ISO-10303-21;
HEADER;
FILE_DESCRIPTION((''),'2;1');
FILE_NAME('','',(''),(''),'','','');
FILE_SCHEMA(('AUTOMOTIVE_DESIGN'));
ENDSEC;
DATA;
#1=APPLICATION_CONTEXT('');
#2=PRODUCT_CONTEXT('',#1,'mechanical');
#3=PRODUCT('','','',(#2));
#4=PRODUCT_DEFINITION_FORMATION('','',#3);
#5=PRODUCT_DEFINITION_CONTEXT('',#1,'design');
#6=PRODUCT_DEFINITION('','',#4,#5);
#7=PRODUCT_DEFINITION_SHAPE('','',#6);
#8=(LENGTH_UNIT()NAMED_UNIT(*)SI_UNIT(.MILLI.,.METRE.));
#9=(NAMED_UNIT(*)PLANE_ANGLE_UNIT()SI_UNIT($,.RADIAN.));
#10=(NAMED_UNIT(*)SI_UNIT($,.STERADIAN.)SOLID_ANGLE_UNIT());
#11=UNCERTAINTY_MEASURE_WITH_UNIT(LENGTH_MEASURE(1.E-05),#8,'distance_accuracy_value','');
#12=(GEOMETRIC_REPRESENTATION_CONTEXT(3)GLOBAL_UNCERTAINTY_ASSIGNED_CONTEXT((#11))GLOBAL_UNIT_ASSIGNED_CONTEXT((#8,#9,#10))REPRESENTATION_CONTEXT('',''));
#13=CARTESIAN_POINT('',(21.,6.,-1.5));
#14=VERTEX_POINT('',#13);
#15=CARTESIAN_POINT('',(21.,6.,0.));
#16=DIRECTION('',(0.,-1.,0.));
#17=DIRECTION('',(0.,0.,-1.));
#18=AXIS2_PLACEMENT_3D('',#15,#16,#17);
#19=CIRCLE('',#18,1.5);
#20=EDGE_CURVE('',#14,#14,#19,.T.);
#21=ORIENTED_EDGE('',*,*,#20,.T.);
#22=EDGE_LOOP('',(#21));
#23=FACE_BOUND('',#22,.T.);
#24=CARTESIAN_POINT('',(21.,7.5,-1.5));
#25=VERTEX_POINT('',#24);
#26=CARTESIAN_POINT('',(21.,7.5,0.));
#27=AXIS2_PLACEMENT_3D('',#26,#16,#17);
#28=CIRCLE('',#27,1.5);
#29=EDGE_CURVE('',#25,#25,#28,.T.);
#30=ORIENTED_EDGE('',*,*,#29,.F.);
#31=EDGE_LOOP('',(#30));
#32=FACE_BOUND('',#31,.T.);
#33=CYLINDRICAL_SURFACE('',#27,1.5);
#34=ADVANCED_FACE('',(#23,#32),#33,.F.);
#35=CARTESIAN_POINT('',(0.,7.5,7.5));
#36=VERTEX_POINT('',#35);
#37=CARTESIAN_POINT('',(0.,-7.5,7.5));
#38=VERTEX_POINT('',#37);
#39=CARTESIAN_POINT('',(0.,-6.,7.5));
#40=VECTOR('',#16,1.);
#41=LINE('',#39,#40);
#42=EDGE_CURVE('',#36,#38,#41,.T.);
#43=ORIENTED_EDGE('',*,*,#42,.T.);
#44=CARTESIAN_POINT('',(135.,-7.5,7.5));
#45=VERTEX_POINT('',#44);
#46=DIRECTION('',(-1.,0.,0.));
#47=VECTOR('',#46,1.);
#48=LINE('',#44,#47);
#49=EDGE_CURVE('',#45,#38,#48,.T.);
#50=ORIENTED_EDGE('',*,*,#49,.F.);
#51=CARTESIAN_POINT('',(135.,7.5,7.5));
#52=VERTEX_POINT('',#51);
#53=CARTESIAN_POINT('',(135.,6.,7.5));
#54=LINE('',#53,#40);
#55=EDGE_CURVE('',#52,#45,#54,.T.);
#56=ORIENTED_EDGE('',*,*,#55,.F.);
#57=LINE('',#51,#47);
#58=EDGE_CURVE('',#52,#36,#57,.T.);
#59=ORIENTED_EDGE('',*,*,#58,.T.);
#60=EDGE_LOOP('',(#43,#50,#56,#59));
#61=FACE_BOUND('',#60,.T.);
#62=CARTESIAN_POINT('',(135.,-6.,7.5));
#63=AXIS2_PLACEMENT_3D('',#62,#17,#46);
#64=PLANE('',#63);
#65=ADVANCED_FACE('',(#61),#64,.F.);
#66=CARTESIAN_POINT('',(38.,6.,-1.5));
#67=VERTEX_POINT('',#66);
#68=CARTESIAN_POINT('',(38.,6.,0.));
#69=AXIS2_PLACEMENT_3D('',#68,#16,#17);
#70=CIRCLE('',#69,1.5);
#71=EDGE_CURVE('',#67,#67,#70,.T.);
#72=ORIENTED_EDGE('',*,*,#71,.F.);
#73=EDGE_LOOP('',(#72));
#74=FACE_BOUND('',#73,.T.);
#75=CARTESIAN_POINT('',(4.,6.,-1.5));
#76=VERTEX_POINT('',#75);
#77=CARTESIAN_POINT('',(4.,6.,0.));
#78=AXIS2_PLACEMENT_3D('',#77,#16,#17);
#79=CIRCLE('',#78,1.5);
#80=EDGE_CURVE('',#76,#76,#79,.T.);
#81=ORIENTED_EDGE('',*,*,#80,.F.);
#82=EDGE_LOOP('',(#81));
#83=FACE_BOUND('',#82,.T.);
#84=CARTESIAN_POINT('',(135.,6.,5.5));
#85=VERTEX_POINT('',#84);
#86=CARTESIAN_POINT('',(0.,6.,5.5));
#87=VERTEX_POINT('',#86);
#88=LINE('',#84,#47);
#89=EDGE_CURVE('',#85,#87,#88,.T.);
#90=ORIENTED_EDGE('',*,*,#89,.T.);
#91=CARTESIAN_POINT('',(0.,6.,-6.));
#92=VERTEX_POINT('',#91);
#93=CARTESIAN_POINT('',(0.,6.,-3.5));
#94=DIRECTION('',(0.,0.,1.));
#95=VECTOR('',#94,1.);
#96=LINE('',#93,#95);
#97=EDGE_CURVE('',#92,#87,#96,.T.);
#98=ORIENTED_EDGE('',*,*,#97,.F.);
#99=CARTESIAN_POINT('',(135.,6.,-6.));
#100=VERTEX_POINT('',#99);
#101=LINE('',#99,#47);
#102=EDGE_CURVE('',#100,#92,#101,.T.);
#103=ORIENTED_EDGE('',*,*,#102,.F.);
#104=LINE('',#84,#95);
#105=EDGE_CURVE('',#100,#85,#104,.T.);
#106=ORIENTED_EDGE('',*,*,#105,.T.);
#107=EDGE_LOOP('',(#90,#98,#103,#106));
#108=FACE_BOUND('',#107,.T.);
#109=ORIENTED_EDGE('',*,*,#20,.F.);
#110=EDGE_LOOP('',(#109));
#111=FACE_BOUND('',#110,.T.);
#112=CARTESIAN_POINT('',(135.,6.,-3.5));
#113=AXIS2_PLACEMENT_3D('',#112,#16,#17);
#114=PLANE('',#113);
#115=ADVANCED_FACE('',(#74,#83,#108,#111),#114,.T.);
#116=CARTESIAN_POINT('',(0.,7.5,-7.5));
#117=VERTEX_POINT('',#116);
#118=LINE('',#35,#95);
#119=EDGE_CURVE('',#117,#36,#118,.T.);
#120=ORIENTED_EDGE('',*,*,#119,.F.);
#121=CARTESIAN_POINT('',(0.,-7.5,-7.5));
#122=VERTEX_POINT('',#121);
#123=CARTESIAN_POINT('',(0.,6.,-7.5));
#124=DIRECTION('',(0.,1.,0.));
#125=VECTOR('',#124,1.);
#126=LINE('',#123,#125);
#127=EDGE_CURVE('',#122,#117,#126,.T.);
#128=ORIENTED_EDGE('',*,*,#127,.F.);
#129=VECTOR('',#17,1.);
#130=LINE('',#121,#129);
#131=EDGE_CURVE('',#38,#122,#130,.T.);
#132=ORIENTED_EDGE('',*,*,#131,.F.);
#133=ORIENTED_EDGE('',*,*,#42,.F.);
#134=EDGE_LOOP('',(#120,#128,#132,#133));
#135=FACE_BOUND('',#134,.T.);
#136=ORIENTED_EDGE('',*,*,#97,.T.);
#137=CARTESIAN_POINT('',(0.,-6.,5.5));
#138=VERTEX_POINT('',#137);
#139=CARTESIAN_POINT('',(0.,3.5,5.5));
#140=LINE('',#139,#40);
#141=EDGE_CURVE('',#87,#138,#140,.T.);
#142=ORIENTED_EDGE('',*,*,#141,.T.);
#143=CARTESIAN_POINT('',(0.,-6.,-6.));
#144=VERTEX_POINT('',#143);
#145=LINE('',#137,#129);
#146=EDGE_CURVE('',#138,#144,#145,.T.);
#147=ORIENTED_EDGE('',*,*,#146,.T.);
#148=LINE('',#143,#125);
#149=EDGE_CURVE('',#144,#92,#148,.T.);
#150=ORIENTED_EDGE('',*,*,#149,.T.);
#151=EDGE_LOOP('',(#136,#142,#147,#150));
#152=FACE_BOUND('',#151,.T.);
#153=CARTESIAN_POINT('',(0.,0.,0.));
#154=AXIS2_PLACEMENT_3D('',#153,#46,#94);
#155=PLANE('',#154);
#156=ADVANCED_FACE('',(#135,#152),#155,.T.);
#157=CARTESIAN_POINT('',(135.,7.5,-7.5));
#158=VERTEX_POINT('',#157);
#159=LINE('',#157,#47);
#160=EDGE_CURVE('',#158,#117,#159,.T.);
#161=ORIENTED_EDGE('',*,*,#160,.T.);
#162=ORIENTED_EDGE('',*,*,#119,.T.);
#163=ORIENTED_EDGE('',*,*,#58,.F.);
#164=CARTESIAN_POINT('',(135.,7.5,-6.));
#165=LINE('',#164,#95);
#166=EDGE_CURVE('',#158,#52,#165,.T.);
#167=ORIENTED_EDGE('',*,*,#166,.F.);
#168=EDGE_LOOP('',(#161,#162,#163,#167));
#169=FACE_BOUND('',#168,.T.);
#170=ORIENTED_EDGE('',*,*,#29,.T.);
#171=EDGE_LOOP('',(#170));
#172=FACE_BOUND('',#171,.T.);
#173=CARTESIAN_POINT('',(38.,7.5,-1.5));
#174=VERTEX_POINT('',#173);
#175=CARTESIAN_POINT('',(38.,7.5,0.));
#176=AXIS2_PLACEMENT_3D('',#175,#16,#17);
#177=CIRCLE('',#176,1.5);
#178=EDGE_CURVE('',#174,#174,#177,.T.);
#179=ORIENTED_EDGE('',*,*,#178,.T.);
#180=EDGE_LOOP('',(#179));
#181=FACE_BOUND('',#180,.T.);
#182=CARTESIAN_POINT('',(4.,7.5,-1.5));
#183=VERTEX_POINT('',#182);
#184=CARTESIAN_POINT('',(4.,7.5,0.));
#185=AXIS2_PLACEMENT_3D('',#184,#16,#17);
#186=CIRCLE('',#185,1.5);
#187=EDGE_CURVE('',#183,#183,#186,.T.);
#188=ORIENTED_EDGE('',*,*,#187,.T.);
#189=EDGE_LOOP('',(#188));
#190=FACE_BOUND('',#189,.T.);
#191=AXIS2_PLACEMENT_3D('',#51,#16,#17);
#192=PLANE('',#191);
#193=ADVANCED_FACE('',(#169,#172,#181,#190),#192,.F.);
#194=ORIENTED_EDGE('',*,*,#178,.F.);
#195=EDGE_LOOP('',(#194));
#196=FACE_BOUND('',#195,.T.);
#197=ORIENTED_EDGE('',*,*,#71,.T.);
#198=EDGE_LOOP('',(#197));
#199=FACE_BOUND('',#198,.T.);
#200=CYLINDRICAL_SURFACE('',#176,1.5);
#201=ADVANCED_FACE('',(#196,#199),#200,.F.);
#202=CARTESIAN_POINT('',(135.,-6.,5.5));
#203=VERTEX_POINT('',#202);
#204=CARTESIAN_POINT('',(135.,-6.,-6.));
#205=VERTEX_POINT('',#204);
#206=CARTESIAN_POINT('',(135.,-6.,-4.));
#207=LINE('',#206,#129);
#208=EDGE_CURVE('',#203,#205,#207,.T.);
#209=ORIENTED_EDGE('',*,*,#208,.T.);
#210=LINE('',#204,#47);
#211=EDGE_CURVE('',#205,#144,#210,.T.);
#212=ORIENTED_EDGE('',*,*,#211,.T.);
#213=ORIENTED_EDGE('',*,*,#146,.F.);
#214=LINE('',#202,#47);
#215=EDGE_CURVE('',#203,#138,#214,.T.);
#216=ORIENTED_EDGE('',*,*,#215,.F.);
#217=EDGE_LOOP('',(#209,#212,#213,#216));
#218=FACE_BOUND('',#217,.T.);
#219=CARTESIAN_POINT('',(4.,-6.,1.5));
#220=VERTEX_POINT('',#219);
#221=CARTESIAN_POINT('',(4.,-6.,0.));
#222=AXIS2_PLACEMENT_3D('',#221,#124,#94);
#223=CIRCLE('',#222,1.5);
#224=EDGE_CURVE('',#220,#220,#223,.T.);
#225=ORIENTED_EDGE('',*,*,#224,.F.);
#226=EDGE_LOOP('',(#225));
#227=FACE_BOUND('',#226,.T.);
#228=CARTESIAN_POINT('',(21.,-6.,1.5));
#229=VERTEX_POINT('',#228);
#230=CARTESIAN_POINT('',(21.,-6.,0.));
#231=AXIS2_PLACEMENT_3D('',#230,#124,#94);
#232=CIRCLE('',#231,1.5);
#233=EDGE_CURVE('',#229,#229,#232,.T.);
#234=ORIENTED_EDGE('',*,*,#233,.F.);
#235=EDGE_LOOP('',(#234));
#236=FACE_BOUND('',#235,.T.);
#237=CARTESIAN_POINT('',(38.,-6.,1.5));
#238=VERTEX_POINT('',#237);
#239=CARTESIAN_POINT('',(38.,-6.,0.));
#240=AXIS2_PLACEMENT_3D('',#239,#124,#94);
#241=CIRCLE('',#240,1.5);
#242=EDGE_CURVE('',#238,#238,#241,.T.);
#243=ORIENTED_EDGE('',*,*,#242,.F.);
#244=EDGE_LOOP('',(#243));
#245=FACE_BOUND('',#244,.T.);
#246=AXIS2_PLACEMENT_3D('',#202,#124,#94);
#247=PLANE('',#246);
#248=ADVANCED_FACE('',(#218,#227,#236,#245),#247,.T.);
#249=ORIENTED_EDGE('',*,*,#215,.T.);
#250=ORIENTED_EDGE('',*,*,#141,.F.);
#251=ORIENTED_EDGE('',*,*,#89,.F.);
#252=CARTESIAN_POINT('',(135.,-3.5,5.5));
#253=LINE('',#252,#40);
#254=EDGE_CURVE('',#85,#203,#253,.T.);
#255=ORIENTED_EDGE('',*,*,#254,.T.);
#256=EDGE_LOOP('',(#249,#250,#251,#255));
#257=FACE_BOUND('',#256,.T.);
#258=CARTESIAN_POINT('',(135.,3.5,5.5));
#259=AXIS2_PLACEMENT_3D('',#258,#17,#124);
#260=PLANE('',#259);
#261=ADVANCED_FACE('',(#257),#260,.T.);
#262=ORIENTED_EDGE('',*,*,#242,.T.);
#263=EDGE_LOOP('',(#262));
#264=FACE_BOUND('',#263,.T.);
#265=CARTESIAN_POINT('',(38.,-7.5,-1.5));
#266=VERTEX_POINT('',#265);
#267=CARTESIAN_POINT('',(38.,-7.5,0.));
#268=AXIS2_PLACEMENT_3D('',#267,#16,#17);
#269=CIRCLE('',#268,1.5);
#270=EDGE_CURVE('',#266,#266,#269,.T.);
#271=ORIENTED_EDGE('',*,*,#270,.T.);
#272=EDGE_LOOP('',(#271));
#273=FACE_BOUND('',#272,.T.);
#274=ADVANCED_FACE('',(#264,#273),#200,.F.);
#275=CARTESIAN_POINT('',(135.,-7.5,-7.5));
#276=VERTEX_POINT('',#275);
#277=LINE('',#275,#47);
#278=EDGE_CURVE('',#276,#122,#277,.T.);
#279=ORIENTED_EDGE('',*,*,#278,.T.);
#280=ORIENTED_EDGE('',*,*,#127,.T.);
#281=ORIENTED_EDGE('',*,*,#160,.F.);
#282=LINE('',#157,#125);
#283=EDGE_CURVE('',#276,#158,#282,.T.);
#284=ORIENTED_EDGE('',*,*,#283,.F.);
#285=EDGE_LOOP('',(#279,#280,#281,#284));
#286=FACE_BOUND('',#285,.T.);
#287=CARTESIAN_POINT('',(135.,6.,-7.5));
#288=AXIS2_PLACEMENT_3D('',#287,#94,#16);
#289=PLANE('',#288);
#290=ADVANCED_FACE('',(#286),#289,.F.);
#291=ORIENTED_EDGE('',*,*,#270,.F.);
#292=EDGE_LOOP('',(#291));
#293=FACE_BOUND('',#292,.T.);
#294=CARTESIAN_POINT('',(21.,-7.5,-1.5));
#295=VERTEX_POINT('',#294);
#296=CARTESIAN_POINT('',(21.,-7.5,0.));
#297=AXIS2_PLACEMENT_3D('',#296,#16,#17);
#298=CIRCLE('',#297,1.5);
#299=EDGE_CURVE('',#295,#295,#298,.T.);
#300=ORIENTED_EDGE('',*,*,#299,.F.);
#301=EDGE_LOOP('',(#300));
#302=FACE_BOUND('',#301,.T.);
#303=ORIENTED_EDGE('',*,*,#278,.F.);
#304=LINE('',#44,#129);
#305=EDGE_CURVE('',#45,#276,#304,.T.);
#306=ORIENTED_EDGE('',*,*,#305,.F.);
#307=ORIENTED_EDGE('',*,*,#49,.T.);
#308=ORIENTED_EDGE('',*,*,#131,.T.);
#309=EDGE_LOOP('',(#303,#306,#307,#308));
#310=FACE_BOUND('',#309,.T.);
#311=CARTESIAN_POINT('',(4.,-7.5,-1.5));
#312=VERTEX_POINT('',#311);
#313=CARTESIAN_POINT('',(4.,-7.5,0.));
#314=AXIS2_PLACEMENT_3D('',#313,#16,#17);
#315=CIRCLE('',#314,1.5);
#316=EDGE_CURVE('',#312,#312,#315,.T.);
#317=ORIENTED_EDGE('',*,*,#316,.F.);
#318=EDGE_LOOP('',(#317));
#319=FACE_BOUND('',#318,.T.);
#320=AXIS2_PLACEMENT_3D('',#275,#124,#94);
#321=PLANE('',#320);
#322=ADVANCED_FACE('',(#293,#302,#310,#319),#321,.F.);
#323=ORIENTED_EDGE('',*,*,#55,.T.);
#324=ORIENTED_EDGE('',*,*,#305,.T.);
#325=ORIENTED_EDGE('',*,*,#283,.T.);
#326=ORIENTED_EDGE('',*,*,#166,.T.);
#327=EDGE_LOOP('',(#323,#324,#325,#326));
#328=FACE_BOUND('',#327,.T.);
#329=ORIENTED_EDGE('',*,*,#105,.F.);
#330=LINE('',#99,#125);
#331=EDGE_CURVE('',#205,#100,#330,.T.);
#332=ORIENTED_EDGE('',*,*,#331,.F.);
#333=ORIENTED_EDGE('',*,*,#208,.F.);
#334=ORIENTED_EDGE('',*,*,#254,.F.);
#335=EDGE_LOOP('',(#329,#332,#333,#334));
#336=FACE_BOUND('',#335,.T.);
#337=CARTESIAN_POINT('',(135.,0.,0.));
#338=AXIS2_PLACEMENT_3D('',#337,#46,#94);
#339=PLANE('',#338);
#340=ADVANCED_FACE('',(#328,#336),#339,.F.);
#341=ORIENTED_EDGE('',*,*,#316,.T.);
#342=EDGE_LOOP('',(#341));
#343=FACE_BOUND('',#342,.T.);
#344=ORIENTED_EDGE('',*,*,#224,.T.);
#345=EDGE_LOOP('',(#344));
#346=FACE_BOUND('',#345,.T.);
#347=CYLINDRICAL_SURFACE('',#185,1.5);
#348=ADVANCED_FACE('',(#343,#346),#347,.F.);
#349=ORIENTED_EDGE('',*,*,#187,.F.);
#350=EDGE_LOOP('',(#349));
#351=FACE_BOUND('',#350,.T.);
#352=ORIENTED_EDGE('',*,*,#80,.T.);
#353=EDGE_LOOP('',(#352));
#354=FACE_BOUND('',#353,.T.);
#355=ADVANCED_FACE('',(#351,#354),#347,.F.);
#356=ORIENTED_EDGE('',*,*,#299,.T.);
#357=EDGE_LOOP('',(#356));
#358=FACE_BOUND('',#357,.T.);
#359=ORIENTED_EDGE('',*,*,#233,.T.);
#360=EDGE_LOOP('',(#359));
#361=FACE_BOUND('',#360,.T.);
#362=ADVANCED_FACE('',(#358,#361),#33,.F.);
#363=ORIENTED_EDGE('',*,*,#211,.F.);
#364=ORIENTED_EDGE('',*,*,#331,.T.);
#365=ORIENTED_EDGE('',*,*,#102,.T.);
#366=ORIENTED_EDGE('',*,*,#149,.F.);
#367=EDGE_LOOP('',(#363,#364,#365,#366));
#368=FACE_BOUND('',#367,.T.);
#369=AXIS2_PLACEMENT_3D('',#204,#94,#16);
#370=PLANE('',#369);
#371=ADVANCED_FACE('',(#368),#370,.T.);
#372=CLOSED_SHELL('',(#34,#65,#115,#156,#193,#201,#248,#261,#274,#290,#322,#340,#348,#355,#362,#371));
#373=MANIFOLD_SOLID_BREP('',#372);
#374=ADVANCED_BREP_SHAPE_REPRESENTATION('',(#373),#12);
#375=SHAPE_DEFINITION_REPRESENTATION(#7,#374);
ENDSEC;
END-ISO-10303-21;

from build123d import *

# Parameters (mm, degrees)
MEMBER_15_15_1_5_1_DEPTH = 135
SKETCH_4_R               = 1.5
CUT_EXTRUDE_1_DEPTH      = 137.037678604


with BuildPart() as part:
    # Sketch1 → Member 15 _15_ 1.5_1 (new body)
    with BuildSketch(Plane(origin=(0, 0, 0), x_dir=(0, 0, -1), z_dir=(1, 0, 0))):
        Polygon((-6, -7.5), (6, -7.5), (7.5, -7.5), (7.5, -6), (7.5, 6), (7.5, 7.5), (6, 7.5), (-6, 7.5), (-7.5, 7.5), (-7.5, 6), (-7.5, -6), (-7.5, -7.5), align=None)
        Polygon((-4, -6), (4, -6), (6, -6), (6, -3.5), (6, 3.5), (6, 6), (3.5, 6), (-3.5, 6), (-5.5, 6), (-5.5, 3.5), (-5.5, -3.5), (-5.5, -6), align=None, mode=Mode.SUBTRACT)
    extrude(amount=MEMBER_15_15_1_5_1_DEPTH)

    # 草图4 → 切除-拉伸1 (cut, through all)
    with BuildSketch(Plane.XZ.offset(7.5)):
        with Locations(Location((38, 0, 0), (0, 0, 270))):
            Circle(SKETCH_4_R)
        with Locations(Location((4, 0, 0), (0, 0, 270))):
            Circle(SKETCH_4_R)
        with Locations(Location((21, 0, 0), (0, 0, 270))):
            Circle(SKETCH_4_R)
    extrude(amount=-CUT_EXTRUDE_1_DEPTH, mode=Mode.SUBTRACT)


solid = part.part
